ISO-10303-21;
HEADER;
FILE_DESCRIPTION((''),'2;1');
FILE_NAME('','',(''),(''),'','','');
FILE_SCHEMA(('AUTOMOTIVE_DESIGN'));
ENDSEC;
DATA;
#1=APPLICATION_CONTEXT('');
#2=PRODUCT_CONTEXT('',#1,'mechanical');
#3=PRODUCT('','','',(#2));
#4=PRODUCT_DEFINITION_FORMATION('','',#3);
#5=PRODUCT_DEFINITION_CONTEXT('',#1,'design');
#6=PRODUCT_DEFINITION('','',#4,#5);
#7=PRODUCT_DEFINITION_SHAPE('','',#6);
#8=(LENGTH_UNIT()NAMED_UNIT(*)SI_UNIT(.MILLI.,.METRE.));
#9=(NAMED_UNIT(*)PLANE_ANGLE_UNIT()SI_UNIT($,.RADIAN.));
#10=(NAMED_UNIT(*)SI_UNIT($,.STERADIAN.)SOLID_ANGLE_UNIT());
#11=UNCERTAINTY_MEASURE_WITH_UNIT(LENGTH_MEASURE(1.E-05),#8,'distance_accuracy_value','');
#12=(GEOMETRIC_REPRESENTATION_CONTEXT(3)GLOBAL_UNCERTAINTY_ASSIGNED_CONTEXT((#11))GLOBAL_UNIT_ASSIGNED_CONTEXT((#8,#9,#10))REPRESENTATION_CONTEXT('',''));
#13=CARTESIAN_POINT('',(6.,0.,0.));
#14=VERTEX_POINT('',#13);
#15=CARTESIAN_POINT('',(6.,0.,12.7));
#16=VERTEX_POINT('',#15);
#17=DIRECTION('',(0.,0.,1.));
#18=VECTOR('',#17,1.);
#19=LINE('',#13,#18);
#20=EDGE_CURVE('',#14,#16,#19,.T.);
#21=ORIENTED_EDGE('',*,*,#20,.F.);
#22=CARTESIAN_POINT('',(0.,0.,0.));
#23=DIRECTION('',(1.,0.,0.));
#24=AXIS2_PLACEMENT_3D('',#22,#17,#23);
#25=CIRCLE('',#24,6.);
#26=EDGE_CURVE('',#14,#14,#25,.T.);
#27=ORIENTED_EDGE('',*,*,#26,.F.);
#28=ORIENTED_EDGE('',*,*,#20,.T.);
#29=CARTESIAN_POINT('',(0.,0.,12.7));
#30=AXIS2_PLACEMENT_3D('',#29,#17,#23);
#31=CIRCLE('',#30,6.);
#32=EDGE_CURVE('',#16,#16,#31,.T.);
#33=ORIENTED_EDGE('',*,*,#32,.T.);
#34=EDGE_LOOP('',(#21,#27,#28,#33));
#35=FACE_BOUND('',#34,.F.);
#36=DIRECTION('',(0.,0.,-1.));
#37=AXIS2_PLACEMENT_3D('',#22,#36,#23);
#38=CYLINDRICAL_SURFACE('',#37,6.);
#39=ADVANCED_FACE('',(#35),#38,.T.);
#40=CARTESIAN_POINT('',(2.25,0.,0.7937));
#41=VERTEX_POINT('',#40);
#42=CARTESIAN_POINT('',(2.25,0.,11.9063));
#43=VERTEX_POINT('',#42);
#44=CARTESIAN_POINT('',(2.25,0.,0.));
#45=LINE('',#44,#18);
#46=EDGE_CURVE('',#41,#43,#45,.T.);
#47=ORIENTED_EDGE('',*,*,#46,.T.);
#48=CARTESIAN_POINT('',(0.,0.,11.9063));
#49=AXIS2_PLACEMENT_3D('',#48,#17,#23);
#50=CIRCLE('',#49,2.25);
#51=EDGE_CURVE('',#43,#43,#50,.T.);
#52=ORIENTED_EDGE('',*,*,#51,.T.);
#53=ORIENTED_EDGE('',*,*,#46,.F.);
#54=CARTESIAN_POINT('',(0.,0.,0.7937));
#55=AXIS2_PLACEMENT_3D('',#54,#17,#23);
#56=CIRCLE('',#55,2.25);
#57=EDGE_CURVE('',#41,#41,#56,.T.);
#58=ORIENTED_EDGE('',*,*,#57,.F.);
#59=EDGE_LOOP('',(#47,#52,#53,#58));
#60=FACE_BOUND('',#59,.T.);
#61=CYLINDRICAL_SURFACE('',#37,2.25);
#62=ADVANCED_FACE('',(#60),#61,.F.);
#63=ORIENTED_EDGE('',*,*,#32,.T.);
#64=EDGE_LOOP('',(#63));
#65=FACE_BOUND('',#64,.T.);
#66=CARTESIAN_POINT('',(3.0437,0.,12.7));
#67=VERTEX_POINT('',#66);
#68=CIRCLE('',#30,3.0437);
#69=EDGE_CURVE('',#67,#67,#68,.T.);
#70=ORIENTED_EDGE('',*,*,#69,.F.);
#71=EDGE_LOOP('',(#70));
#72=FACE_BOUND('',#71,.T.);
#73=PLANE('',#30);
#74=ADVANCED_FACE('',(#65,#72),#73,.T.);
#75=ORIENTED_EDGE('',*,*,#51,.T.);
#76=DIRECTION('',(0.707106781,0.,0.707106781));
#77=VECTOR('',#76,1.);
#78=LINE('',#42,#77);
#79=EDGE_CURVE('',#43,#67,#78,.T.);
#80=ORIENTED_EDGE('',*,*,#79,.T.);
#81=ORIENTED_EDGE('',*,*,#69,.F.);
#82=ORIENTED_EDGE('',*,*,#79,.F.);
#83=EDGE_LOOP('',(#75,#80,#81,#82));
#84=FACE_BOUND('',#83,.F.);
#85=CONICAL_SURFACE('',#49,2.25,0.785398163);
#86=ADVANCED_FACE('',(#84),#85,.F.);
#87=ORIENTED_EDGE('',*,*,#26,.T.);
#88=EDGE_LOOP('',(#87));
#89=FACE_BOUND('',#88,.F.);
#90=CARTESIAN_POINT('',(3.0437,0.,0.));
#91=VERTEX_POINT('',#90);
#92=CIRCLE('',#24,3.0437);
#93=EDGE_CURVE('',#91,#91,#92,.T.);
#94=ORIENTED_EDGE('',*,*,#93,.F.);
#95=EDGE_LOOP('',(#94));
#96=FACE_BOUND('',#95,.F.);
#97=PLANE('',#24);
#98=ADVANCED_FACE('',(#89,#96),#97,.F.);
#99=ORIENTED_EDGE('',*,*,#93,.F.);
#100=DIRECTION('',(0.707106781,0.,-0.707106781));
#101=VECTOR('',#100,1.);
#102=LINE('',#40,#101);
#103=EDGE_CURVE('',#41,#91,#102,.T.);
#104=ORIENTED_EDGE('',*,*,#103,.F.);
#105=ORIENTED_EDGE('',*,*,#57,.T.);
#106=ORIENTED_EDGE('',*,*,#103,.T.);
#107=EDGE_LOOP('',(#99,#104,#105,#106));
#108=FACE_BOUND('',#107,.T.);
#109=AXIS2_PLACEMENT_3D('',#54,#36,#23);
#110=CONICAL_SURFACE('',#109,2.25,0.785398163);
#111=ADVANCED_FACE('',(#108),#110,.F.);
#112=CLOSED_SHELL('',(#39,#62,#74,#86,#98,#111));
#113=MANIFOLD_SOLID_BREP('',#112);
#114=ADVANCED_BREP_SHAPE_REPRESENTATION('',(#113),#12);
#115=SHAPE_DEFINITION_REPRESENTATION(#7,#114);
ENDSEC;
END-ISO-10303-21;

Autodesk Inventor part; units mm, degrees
ref_plane "YZ Plane" through (0, 0, 0) normal (1, 0, 0) x (0, 1, 0)
ref_plane "XZ Plane" through (0, 0, 0) normal (0, 1, 0) x (-1, 0, 0)
ref_plane "XY Plane" through (0, 0, 0) normal (0, 0, 1) x (1, 0, 0)
sketch "Sketch1" plane through (0, 0, 0) normal (0, 0, 1) x (1, 0, 0)
  circle A0 centre (0, 0) radius 2.25
  circle A1 centre (0, 0) radius 6
  dimension "d0" = 4.5
  dimension "d1" = 12
extrude "Extrusion1" add sketch "Sketch1" along normal blind 12.7
chamfer "Chamfer1" distance 0.7937 angle 45 2 edges at (-2.25, 0, 12.7) (-2.25, 0, 0)
properties part number "TrebM4Spacer"
